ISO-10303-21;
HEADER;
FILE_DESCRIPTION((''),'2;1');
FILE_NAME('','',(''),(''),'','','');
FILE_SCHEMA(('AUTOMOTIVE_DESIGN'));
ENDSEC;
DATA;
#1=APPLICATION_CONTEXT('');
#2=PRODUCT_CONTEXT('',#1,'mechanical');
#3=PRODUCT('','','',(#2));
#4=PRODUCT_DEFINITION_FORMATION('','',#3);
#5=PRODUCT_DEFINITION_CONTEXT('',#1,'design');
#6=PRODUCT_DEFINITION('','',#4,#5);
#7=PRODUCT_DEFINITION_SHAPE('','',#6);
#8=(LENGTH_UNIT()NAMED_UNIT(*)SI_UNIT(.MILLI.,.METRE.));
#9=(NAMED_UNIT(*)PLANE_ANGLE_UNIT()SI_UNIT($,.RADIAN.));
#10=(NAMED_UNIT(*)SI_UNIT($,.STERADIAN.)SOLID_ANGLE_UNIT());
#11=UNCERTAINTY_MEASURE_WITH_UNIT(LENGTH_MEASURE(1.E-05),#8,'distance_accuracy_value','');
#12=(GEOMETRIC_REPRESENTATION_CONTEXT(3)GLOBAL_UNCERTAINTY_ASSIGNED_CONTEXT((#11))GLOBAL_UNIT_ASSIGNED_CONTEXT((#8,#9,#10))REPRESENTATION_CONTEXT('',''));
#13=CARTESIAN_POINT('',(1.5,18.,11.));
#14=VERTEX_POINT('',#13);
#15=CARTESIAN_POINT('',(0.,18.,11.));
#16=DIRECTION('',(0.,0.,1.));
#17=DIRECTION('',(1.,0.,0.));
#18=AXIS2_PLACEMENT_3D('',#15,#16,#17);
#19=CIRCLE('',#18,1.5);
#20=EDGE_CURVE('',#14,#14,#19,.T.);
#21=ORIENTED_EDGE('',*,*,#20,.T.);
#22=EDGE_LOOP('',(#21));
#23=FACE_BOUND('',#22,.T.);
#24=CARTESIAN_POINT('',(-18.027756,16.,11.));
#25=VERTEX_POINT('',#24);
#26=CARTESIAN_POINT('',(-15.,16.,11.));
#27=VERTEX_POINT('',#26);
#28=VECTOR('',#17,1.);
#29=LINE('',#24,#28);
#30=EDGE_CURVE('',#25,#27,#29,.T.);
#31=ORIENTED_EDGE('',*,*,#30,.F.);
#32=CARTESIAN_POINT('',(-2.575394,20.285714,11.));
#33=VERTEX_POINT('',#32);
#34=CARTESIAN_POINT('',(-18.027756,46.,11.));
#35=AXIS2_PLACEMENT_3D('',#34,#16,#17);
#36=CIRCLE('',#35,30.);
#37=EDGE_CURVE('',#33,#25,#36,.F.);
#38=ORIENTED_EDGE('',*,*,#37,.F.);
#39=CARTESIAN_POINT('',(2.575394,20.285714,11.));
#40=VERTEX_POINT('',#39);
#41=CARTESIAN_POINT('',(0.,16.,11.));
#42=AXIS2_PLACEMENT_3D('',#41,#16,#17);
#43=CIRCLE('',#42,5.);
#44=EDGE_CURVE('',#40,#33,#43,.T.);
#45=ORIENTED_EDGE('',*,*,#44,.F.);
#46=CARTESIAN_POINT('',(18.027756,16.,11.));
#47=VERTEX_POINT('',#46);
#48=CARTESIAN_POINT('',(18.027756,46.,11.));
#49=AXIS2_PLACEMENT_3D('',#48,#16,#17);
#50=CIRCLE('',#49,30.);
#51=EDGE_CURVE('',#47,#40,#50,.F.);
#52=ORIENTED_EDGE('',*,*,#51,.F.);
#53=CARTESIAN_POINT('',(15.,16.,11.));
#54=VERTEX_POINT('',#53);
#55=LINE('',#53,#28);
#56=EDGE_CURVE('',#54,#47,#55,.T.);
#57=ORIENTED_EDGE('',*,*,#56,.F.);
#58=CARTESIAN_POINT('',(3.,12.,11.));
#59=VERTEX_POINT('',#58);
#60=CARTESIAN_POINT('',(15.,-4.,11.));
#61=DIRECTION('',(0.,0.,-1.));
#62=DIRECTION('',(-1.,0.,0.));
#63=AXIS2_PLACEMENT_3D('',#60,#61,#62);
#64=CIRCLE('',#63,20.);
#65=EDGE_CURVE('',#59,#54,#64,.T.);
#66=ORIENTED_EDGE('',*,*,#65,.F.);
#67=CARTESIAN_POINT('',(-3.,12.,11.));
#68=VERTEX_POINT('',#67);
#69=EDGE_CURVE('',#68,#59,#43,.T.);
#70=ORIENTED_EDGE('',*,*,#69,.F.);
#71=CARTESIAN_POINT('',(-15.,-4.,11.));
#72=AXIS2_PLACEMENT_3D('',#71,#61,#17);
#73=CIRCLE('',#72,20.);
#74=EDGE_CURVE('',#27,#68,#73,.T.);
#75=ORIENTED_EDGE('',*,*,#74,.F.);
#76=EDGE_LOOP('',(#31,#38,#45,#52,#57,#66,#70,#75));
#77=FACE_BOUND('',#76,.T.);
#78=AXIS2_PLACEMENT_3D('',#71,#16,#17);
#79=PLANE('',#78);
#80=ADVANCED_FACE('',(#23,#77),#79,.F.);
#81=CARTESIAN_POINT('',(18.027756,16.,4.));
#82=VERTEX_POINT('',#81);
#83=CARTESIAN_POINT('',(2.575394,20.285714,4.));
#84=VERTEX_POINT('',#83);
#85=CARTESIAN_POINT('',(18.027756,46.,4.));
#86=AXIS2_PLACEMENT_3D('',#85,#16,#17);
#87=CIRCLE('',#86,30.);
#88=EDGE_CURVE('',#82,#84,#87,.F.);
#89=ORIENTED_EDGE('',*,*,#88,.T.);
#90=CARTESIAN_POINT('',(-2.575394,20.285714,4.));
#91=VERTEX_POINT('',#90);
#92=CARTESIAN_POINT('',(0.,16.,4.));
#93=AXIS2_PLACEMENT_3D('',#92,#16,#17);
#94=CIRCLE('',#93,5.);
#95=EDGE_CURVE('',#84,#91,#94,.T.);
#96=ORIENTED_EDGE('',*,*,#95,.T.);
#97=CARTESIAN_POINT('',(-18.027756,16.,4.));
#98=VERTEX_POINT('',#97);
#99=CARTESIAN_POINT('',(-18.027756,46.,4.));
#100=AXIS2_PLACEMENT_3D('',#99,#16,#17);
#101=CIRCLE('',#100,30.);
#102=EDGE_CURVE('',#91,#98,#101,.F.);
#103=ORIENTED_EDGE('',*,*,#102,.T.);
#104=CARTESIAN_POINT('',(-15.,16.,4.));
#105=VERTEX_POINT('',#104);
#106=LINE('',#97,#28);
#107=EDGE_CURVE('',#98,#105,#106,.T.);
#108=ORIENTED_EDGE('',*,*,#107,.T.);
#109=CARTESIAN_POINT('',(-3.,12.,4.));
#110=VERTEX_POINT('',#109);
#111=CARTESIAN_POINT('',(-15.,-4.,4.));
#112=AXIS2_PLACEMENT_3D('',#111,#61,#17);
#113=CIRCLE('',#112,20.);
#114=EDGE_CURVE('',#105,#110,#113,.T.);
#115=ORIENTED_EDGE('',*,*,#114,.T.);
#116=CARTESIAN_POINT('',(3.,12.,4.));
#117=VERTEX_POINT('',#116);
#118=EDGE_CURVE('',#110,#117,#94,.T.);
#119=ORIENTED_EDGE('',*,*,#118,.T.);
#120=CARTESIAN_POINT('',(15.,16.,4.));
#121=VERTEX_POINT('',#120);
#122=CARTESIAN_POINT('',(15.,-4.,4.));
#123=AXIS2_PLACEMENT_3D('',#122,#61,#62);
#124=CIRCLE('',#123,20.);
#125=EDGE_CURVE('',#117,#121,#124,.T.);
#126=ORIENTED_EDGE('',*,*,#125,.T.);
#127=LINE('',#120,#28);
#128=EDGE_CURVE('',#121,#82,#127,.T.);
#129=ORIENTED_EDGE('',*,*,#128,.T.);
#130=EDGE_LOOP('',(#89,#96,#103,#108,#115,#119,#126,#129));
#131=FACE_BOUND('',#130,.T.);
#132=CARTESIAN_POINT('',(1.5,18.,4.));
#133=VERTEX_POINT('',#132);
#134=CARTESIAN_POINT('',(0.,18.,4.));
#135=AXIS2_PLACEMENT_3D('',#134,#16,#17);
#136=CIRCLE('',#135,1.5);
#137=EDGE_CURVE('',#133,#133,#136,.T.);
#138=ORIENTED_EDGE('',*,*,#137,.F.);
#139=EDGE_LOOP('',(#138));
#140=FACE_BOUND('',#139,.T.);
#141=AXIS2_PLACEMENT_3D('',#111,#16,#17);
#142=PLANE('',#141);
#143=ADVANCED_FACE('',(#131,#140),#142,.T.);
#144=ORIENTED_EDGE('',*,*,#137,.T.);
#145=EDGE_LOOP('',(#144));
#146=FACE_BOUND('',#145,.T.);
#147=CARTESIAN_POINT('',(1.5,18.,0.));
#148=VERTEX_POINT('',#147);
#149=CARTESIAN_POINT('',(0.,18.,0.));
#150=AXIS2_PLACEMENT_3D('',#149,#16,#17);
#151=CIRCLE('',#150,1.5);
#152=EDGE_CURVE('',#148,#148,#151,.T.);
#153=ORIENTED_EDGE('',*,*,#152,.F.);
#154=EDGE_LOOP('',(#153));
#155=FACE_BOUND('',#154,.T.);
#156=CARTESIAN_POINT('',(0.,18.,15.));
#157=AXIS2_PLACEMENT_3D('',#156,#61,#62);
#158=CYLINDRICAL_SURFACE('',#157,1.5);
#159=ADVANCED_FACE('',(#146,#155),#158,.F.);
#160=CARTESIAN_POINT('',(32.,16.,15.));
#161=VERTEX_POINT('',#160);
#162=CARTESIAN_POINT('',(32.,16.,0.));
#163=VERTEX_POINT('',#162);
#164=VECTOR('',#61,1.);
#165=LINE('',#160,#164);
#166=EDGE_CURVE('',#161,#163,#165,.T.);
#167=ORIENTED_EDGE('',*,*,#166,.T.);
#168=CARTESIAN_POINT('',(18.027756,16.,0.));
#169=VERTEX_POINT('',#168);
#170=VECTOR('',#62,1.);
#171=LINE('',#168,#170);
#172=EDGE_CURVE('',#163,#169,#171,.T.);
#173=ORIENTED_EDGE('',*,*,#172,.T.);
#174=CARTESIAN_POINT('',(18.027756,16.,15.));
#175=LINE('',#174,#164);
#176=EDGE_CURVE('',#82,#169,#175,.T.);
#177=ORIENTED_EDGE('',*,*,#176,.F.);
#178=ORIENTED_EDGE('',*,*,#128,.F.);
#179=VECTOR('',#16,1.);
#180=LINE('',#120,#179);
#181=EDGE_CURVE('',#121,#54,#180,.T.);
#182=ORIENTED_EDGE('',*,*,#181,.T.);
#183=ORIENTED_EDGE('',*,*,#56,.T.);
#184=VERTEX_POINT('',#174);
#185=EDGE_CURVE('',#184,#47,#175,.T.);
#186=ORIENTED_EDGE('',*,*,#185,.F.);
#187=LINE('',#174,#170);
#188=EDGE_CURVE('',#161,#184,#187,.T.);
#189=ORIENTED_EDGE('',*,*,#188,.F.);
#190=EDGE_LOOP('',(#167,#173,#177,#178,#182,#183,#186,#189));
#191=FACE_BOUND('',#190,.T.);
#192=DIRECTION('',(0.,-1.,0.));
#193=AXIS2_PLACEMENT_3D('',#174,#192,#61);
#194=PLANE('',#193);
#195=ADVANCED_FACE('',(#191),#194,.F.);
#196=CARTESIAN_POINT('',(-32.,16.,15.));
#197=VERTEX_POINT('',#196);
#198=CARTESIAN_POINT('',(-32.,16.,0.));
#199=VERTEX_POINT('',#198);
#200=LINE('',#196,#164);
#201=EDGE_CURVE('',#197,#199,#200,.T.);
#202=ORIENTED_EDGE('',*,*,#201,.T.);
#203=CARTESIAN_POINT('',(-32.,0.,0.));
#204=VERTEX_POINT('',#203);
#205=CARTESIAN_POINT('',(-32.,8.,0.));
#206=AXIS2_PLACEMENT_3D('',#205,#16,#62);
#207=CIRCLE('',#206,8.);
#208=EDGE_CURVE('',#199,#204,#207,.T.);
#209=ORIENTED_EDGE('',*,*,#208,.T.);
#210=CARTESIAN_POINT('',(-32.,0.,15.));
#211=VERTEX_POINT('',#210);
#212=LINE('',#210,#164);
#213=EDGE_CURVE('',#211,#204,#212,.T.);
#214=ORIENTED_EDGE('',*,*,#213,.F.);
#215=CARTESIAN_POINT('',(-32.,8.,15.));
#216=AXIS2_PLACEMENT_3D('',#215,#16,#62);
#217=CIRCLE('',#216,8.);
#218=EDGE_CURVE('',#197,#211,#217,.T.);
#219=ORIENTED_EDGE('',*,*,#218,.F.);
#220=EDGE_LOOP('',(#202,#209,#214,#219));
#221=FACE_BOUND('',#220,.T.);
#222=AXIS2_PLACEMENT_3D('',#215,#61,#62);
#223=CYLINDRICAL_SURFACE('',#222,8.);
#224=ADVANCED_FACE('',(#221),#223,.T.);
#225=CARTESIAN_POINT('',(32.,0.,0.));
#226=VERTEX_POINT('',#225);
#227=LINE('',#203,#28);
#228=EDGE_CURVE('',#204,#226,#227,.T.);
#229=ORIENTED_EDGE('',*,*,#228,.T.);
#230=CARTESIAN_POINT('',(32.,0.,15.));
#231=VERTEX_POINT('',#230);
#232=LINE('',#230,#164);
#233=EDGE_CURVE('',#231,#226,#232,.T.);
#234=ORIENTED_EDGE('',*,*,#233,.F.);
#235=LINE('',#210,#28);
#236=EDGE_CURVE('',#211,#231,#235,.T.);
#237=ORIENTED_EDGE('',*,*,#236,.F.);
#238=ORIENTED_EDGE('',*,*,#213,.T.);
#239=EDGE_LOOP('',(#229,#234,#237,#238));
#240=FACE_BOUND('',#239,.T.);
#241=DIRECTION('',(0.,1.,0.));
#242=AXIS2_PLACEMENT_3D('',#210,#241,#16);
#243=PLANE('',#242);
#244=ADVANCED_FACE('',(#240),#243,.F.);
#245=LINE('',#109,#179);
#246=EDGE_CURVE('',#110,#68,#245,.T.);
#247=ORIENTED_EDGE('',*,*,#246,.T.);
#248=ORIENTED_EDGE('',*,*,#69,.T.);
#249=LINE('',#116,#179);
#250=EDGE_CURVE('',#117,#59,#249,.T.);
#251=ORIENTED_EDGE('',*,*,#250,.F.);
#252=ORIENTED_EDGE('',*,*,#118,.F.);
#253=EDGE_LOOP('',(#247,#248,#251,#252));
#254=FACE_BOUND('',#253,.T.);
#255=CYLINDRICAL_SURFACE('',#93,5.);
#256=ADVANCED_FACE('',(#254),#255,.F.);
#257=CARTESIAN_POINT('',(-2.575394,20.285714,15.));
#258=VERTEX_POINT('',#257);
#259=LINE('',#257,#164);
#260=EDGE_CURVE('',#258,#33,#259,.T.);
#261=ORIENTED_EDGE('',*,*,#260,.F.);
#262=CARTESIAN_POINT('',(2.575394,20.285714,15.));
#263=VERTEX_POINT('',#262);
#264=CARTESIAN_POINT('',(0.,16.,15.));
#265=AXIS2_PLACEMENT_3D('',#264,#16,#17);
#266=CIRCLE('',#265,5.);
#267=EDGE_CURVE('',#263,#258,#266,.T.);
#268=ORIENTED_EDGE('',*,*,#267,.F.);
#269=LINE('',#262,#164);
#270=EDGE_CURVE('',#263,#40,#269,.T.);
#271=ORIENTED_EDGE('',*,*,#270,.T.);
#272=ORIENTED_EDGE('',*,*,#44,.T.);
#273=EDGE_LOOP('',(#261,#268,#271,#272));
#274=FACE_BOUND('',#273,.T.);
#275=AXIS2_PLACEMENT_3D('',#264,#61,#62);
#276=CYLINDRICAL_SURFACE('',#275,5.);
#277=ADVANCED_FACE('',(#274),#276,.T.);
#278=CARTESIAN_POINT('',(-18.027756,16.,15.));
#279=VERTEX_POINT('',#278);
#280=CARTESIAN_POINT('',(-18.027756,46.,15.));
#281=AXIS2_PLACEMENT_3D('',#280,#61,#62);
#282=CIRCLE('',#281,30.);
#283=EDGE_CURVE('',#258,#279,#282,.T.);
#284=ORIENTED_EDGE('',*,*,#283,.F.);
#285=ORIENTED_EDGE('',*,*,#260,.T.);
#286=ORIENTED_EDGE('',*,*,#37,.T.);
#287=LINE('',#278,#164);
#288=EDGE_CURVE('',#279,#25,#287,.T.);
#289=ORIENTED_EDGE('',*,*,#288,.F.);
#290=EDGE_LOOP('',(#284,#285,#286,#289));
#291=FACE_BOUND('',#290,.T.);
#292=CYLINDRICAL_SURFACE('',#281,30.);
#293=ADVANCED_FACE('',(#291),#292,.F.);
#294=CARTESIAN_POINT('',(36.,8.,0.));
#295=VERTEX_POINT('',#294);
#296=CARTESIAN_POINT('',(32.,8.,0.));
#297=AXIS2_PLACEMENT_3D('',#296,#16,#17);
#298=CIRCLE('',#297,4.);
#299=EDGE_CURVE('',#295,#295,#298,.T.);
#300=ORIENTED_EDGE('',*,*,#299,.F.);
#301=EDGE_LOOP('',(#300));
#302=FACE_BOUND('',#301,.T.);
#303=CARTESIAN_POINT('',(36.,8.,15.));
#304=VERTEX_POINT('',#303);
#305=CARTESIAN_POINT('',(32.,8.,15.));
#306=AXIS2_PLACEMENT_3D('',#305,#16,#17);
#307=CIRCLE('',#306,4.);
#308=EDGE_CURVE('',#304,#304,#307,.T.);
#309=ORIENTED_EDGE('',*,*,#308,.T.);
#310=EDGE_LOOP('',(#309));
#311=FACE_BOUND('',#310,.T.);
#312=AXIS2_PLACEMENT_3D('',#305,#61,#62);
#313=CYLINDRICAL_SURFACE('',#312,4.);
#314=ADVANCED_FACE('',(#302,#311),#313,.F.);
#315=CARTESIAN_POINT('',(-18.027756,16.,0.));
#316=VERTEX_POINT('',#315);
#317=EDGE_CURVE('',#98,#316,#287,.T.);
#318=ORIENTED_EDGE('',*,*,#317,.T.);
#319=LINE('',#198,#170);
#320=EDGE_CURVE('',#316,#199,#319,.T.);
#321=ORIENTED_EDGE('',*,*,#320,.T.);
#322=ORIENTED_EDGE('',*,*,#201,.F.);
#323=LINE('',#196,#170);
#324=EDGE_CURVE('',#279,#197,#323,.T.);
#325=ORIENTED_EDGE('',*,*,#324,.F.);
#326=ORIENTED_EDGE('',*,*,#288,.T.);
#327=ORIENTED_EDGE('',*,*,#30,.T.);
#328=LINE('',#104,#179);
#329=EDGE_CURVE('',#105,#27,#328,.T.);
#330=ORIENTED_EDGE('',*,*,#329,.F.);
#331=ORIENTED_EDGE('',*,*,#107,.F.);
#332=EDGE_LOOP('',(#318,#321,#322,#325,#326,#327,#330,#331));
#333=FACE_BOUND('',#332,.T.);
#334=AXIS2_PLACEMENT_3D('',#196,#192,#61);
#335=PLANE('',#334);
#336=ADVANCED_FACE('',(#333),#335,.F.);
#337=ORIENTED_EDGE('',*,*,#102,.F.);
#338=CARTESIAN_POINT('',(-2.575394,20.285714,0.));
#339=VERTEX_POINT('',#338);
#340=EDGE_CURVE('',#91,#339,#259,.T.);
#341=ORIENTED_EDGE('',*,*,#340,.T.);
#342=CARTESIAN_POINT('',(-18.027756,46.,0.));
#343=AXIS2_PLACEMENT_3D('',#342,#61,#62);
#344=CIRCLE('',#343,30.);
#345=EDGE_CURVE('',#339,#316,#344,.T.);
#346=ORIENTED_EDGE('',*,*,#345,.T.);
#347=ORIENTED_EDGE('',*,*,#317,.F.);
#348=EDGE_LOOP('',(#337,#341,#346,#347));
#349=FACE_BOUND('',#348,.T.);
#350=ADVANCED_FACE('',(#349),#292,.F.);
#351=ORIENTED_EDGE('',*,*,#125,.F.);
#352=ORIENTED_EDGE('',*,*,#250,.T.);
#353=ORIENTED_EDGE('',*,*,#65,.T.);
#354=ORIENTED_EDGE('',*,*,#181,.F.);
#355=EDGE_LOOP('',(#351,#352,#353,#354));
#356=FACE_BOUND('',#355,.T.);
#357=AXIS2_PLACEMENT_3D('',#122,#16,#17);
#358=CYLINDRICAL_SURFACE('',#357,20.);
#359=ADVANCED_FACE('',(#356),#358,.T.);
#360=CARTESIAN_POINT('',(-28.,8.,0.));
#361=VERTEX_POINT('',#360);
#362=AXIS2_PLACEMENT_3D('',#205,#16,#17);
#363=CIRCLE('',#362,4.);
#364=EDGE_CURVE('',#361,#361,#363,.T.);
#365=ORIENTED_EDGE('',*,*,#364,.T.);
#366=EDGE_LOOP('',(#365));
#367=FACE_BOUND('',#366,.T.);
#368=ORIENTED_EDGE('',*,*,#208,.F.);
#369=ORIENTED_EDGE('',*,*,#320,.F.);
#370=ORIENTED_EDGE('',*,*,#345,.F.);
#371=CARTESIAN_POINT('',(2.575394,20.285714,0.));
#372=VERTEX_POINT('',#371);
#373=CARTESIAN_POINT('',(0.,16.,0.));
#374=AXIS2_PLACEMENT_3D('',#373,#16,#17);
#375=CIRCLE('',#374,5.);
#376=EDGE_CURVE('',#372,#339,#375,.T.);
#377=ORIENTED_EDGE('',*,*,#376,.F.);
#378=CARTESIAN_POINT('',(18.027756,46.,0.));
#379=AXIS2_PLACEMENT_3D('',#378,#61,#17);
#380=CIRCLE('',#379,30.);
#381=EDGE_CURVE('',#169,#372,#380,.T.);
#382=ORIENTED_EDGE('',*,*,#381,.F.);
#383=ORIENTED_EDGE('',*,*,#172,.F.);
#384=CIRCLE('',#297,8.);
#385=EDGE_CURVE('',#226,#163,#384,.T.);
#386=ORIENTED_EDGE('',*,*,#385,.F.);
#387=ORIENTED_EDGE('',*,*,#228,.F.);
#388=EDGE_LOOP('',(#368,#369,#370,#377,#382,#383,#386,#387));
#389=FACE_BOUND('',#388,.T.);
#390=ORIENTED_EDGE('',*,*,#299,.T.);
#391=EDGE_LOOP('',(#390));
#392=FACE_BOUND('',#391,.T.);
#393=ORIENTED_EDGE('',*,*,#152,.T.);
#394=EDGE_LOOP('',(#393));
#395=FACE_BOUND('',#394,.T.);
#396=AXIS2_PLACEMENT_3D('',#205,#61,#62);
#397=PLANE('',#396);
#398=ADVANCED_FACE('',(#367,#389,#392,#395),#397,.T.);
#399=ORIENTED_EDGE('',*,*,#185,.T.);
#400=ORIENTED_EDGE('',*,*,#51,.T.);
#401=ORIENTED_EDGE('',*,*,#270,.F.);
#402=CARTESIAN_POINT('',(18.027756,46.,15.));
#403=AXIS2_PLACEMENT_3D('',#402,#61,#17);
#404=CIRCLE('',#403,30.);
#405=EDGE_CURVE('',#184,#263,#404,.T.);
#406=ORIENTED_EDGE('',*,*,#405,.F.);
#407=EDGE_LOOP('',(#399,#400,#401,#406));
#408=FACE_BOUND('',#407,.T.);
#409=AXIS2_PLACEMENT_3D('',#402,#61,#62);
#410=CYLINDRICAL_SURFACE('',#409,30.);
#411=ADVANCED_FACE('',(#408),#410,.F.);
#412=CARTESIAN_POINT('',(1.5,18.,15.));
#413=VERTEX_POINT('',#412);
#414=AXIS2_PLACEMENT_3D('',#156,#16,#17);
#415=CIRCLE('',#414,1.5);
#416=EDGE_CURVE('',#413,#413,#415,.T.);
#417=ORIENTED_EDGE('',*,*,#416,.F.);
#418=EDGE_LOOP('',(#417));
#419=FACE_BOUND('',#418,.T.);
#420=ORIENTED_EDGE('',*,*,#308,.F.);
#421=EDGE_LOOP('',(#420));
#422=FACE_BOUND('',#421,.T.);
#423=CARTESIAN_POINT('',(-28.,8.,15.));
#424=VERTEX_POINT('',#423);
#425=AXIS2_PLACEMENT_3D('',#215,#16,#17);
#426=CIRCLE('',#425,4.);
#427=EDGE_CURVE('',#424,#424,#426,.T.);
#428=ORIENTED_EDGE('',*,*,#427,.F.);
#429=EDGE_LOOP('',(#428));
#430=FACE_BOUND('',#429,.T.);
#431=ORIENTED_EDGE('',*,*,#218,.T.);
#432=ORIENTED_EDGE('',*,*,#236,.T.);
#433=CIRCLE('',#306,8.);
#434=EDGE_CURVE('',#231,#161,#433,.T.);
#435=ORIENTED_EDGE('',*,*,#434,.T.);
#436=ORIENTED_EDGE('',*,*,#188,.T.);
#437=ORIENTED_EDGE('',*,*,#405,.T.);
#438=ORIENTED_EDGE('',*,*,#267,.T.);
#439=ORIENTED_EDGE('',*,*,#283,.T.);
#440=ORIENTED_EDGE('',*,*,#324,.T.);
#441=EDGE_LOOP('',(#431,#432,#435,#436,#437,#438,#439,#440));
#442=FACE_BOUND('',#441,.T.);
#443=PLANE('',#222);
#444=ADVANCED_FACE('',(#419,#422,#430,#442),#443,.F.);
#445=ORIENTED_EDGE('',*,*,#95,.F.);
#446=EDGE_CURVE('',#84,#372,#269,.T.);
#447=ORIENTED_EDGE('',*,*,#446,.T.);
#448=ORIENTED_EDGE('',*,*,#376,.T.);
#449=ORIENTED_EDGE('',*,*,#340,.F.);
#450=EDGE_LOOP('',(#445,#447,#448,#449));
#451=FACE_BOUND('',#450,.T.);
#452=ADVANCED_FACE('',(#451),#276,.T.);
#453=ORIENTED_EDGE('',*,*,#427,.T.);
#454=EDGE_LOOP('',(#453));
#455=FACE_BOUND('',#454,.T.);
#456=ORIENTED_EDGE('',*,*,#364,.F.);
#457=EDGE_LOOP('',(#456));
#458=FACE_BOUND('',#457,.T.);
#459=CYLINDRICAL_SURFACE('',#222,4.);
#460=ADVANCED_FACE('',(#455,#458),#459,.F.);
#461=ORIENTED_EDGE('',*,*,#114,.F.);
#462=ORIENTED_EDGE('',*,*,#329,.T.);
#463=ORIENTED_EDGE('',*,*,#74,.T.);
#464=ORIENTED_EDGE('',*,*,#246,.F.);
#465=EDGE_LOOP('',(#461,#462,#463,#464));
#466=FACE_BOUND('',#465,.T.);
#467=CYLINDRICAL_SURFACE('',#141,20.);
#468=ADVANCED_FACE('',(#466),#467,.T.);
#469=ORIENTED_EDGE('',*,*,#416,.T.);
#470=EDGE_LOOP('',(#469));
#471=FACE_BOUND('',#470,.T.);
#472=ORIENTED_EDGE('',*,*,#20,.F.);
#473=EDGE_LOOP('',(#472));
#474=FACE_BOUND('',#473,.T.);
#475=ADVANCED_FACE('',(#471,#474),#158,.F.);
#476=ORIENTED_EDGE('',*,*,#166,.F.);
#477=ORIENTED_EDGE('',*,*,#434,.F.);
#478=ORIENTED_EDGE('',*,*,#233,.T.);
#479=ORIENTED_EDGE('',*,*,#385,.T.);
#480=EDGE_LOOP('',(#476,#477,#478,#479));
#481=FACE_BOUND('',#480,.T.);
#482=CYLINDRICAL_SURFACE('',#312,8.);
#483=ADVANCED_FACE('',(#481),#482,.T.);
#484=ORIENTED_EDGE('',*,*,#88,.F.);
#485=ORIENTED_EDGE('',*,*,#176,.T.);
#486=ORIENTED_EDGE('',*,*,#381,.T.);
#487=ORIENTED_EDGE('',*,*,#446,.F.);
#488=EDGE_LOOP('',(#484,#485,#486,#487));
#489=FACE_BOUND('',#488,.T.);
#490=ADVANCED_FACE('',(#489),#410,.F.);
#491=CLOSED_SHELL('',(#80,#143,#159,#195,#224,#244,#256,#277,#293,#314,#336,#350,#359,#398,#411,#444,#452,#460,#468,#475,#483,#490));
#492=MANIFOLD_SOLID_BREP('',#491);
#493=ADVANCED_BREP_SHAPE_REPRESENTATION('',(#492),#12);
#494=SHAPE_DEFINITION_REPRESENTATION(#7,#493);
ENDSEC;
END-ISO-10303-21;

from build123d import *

# Parameters (mm, degrees)
SKETCH1_R           = 1.5
SKETCH1_R_2         = 4
BOSS_EXTRUDE1_DEPTH = 15
CUT_EXTRUDE1_START  = -11
CUT_EXTRUDE1_DEPTH  = 7


with BuildPart() as part:
    # Sketch1 → Boss-Extrude1 (new body)
    with BuildSketch(Plane.XY):
        with BuildLine():
            Line((-32, 0), (32, 0))
            ThreePointArc((32, 0), (40, 8), (32, 16))
            Line((32, 16), (18.027756377, 16))
            ThreePointArc((18.027756377, 16), (10.00991912, 17.09127665), (2.575393768, 20.285714286))
            ThreePointArc((2.575393768, 20.285714286), (0, 21), (-2.575393768, 20.285714286))
            ThreePointArc((-2.575393768, 20.285714286), (-10.00991912, 17.09127665), (-18.027756377, 16))
            Line((-18.027756377, 16), (-32, 16))
            ThreePointArc((-32, 16), (-40, 8), (-32, 0))
        make_face()
        with Locations((0, 18)):
            Circle(SKETCH1_R, mode=Mode.SUBTRACT)
        with Locations((-32, 8)):
            Circle(SKETCH1_R_2, mode=Mode.SUBTRACT)
        with Locations((32, 8)):
            Circle(SKETCH1_R_2, mode=Mode.SUBTRACT)
    extrude(amount=BOSS_EXTRUDE1_DEPTH)

    # Sketch2 → Cut-Extrude1 (cut)
    with BuildSketch(Plane.XY.offset(15).offset(CUT_EXTRUDE1_START)):
        with BuildLine():
            Line((-18.027756377, 16), (-15, 16))
            ThreePointArc((-15, 16), (-8.67544468, 14.973665961), (-3, 12))
            ThreePointArc((-3, 12), (0, 11), (3, 12))
            ThreePointArc((3, 12), (8.67544468, 14.973665961), (15, 16))
            Line((15, 16), (18.027756377, 16))
            Line((18.027756377, 16), (18.027756377, 21))
            Line((18.027756377, 21), (-18.027756377, 21))
            Line((-18.027756377, 21), (-18.027756377, 16))
        make_face()
    extrude(amount=CUT_EXTRUDE1_DEPTH, mode=Mode.SUBTRACT)


solid = part.part
